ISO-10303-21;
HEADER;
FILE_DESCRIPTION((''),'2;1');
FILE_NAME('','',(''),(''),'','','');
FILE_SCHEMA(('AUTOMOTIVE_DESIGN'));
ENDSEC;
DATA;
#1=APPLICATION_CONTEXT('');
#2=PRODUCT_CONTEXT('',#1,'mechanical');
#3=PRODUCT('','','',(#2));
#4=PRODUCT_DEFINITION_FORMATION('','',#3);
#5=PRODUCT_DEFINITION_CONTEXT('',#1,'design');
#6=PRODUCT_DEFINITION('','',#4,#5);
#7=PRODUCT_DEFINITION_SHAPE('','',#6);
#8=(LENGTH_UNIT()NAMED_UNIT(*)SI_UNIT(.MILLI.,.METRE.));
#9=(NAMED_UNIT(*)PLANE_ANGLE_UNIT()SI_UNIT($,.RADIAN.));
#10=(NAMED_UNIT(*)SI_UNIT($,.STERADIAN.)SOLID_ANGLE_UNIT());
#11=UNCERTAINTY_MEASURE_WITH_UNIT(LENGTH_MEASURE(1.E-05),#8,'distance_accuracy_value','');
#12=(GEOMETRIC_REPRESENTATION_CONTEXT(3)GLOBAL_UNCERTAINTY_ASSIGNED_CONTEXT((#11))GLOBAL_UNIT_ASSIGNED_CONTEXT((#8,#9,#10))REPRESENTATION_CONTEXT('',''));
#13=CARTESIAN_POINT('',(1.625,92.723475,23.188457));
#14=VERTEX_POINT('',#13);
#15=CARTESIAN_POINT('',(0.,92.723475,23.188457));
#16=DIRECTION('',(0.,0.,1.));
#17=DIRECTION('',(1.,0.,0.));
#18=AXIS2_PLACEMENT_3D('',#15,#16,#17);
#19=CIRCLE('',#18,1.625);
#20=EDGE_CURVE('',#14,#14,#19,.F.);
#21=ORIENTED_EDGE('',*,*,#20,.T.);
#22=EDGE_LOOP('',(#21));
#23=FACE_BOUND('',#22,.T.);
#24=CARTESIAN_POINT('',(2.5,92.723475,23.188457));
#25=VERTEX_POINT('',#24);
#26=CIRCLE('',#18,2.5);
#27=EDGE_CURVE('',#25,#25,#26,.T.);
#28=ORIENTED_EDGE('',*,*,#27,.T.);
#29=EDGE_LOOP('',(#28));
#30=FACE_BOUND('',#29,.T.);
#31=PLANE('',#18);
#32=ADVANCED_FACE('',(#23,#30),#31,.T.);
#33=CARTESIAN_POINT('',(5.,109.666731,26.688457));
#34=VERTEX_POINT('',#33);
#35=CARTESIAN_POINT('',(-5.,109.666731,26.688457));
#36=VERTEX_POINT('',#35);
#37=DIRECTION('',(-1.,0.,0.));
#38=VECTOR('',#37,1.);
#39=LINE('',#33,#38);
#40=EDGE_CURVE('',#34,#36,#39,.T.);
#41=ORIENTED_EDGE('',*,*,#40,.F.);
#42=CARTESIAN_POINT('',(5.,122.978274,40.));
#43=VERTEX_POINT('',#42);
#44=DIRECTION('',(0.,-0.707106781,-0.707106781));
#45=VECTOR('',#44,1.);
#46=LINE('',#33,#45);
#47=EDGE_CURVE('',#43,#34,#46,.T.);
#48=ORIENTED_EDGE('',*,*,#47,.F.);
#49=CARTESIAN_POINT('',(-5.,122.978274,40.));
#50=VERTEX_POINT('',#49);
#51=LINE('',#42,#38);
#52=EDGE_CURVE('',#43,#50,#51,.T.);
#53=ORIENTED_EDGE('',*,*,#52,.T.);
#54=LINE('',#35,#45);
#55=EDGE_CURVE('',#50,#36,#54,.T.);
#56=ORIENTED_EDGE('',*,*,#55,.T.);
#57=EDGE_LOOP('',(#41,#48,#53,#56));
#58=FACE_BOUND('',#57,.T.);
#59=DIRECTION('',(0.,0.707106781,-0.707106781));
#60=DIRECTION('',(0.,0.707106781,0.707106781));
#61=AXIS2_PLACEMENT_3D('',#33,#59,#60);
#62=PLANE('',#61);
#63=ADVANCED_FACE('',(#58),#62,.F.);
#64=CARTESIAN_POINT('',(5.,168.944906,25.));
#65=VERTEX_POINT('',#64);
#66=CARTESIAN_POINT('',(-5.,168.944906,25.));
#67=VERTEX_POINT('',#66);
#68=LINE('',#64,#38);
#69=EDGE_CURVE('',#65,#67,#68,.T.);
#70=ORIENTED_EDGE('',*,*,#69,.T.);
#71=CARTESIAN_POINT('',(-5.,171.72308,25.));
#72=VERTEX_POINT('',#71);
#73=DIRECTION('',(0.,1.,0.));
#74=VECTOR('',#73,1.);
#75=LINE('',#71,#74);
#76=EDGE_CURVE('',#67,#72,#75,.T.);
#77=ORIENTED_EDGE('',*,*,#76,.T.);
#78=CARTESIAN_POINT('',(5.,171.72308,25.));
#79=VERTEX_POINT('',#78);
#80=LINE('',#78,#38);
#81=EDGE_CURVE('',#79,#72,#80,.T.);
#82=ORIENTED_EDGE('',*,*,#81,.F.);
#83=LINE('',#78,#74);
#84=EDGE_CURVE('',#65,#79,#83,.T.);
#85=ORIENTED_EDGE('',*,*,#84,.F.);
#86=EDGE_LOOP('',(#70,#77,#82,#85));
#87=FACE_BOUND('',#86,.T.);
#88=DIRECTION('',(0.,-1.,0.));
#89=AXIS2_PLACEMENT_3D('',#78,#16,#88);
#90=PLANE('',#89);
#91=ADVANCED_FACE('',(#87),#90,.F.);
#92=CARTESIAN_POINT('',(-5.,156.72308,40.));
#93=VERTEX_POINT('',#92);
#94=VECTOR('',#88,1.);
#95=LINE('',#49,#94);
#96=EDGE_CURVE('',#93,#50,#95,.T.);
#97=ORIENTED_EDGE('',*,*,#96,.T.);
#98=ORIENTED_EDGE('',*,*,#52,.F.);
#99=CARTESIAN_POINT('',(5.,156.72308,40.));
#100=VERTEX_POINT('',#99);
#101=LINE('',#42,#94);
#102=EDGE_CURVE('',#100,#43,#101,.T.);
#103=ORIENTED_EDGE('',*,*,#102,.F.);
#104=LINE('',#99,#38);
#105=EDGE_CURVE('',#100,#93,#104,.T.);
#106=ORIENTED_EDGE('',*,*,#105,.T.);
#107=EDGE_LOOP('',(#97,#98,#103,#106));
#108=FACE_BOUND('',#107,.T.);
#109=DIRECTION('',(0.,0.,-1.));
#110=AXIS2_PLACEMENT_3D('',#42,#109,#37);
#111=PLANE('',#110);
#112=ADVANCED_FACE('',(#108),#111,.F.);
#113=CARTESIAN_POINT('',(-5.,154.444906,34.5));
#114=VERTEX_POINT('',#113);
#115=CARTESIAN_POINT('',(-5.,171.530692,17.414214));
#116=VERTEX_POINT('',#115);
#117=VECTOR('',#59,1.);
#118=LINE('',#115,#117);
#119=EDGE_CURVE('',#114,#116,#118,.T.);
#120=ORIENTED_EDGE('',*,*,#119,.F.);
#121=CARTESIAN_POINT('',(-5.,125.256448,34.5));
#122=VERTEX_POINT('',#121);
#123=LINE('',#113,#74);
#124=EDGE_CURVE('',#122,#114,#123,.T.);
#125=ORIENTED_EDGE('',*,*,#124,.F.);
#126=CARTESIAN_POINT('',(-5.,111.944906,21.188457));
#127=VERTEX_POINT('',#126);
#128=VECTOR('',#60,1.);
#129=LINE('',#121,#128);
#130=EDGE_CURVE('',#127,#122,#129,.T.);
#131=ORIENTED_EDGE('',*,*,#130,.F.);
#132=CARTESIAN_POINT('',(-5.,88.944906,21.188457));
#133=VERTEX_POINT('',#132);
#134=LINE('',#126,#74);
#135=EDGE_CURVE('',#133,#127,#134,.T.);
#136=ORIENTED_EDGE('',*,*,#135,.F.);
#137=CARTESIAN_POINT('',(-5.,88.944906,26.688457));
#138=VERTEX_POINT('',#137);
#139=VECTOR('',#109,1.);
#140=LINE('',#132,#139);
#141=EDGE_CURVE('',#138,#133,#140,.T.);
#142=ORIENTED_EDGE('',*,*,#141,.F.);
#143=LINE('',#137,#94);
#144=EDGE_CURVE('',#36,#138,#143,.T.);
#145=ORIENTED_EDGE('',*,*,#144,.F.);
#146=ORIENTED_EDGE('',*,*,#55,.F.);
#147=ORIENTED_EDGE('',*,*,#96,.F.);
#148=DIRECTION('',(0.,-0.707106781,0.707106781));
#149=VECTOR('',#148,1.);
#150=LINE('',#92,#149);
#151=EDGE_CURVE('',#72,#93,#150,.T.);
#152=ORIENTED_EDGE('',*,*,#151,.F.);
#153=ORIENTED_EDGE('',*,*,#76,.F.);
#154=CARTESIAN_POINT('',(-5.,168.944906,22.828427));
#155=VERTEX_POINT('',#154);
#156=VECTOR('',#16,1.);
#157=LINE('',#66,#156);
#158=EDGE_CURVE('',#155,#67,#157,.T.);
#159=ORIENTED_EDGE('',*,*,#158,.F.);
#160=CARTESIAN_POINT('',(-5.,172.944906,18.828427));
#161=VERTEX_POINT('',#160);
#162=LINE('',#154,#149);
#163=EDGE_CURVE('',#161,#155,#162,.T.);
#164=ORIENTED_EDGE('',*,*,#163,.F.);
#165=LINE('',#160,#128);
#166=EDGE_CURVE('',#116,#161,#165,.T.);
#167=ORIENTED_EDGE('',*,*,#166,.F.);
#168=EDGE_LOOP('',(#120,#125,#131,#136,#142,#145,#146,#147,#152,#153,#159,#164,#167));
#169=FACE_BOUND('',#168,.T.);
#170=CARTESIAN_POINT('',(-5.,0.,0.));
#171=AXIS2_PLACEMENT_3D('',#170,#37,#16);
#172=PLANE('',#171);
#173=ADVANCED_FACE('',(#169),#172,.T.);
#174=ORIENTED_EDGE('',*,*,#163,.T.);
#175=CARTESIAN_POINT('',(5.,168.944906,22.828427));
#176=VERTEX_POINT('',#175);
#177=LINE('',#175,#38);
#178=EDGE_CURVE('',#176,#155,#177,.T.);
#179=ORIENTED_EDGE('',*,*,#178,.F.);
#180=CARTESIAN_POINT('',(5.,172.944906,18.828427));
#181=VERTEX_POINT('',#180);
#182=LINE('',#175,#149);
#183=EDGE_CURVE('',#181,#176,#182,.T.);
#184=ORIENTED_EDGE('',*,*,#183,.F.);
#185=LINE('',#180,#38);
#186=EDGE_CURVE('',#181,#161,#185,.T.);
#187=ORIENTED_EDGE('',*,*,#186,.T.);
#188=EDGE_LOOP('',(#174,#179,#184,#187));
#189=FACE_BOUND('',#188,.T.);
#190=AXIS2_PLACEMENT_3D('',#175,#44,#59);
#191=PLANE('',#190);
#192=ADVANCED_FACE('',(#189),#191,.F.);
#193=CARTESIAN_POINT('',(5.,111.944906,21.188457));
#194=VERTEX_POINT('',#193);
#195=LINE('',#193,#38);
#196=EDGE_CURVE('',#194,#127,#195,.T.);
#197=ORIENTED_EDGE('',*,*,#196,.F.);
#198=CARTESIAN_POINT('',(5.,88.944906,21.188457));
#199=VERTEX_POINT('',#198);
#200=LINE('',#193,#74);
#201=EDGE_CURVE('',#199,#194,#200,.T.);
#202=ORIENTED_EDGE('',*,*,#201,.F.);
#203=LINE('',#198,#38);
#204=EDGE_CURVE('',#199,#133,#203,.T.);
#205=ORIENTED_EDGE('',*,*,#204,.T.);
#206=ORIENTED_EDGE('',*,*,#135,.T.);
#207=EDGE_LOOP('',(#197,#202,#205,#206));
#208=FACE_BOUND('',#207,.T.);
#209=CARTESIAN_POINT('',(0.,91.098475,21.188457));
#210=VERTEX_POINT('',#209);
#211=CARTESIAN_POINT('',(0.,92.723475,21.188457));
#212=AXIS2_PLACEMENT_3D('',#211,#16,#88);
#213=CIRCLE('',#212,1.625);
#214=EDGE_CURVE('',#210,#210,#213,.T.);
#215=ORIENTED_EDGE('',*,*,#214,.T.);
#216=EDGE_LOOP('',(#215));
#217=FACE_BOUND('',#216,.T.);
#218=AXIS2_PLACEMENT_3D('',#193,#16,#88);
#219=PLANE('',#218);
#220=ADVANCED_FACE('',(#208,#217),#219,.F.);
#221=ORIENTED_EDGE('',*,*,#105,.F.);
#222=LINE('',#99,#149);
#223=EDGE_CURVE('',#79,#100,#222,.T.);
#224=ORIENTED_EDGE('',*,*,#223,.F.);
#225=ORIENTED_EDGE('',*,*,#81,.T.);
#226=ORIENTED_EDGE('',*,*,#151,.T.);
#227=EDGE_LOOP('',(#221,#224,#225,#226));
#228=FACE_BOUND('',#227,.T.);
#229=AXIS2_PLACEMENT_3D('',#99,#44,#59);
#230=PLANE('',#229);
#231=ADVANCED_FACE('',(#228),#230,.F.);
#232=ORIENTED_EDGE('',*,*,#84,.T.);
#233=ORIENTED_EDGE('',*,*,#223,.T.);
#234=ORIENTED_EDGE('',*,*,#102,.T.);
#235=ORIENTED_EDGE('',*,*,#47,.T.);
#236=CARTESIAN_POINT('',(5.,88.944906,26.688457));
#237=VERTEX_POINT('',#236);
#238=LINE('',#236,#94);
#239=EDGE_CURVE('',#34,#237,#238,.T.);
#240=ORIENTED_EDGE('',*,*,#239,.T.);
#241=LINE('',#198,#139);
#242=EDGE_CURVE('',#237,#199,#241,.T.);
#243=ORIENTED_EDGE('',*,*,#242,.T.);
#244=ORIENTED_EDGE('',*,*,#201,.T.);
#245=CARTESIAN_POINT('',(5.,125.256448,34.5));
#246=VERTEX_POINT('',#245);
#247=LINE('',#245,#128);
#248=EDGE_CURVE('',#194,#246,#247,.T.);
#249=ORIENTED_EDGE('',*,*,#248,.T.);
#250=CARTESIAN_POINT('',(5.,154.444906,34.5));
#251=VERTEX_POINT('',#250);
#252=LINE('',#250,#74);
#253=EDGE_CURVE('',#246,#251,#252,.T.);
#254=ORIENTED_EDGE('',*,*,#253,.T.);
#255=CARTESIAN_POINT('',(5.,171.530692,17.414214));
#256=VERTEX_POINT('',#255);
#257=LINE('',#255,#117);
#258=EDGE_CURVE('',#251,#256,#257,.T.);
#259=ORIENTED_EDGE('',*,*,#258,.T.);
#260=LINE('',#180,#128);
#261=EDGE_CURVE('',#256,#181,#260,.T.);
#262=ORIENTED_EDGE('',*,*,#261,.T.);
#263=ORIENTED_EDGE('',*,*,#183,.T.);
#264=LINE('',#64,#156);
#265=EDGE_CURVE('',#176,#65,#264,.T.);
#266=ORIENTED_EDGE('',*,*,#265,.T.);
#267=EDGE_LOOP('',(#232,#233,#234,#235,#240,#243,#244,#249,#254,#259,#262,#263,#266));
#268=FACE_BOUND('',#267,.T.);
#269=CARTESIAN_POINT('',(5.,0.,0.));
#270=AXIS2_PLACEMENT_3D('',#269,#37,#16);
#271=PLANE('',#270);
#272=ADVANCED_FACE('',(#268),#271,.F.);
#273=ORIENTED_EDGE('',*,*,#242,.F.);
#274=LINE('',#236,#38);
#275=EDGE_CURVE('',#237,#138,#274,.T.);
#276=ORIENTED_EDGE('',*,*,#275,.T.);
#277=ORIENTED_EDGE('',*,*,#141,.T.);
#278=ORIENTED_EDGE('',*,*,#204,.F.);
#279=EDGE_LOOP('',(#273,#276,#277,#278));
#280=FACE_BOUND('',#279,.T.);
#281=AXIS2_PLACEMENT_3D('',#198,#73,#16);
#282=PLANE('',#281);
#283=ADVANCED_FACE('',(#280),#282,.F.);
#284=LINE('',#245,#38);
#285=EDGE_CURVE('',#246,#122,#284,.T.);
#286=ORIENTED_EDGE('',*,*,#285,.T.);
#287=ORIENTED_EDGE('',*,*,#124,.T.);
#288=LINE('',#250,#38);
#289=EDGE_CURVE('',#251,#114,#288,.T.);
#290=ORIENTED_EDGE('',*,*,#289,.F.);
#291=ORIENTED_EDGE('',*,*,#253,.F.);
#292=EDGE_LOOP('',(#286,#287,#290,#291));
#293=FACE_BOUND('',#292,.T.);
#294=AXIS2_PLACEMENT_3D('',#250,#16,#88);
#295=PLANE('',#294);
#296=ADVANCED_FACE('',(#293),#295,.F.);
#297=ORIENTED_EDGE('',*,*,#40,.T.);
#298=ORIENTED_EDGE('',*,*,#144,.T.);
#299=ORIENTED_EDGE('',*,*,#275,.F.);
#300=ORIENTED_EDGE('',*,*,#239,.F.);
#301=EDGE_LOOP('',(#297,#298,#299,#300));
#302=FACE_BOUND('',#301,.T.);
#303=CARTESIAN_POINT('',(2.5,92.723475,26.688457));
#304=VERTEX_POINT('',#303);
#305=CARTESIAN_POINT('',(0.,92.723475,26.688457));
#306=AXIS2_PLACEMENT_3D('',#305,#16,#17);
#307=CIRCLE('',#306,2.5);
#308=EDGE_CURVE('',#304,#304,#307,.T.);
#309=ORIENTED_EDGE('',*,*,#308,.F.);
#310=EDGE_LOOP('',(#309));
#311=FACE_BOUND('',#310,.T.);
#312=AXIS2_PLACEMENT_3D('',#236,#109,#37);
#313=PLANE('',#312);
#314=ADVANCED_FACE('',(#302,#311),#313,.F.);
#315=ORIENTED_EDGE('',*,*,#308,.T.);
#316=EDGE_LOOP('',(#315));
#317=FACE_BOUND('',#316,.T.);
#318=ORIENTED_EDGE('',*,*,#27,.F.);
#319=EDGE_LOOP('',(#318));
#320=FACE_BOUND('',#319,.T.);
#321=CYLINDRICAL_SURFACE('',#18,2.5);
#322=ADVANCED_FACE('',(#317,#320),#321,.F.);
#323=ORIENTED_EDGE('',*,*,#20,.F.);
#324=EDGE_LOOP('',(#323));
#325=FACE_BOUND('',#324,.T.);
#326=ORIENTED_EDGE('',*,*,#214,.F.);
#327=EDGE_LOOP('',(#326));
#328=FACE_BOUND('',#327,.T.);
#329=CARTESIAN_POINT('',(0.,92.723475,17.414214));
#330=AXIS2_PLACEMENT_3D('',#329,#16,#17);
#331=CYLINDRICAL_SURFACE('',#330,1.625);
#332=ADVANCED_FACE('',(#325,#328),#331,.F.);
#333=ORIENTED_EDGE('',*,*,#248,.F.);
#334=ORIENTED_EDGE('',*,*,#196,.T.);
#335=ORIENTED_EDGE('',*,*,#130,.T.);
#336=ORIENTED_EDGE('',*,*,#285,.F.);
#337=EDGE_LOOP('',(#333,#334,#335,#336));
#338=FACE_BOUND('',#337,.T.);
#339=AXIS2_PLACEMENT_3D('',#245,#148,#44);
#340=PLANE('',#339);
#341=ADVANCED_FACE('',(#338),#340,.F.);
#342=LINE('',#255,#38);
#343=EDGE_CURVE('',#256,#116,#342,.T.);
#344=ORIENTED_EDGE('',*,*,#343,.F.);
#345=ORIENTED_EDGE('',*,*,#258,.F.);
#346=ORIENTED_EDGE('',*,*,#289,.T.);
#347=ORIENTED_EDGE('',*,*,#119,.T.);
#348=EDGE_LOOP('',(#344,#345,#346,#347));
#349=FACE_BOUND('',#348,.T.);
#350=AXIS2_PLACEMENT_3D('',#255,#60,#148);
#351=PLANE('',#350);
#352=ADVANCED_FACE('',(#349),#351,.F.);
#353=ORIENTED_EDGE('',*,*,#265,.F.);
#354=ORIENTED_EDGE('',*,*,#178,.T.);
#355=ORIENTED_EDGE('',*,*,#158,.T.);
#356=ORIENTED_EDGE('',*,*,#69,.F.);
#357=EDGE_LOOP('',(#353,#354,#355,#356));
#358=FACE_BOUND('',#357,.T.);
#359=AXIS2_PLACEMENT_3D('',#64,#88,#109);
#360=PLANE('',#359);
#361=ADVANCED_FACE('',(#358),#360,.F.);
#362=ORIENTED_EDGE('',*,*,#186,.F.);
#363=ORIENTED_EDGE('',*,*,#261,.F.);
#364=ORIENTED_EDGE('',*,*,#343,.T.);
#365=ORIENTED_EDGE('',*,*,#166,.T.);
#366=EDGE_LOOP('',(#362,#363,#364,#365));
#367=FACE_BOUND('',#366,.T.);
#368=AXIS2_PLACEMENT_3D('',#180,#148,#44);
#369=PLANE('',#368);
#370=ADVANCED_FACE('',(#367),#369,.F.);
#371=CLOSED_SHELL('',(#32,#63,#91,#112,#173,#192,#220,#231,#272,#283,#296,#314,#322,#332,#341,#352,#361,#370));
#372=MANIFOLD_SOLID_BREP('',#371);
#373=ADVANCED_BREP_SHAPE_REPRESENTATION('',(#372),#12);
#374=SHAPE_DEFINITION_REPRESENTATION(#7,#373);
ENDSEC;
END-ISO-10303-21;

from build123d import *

# Parameters (mm, degrees)
ESTRUSIONE_ESTRUSIONE1_DEPTH = 5
SCHIZZO2_R                   = 1.625
TAGLIO_ESTRUSIONE1_DEPTH     = 10.274243706
SCHIZZO3_R                   = 2.5
TAGLIO_ESTRUSIONE2_DEPTH     = 3.5


with BuildPart() as part:
    # Schizzo1 → Estrusione-Estrusione1 (new body, symmetric)
    with BuildSketch(Plane(origin=(0, 0, 0), x_dir=(0, 0, -1), z_dir=(1, 0, 0))):
        Polygon((-21.188457268, 88.94490566), (-26.688457268, 88.94490566), (-26.688457268, 109.666731067), (-40, 122.978273799), (-40, 156.723080253), (-25, 171.723080253), (-25, 168.94490566), (-22.828427125, 168.94490566), (-18.828427125, 172.94490566), (-17.414213562, 171.530692098), (-34.5, 154.44490566), (-34.5, 125.256448392), (-21.188457268, 111.94490566), align=None)
    extrude(amount=ESTRUSIONE_ESTRUSIONE1_DEPTH, both=True)

    # Schizzo2 → Taglio-Estrusione1 (cut, through all)
    with BuildSketch(Plane.XY.offset(26.688457268)):
        with Locations((0, 92.723474812)):
            Circle(SCHIZZO2_R)
    extrude(amount=-TAGLIO_ESTRUSIONE1_DEPTH, mode=Mode.SUBTRACT)

    # Schizzo3 → Taglio-Estrusione2 (cut)
    with BuildSketch(Plane.XY.offset(26.688457268)):
        with Locations((0, 92.723474812)):
            Circle(SCHIZZO3_R)
    extrude(amount=-TAGLIO_ESTRUSIONE2_DEPTH, mode=Mode.SUBTRACT)


solid = part.part
